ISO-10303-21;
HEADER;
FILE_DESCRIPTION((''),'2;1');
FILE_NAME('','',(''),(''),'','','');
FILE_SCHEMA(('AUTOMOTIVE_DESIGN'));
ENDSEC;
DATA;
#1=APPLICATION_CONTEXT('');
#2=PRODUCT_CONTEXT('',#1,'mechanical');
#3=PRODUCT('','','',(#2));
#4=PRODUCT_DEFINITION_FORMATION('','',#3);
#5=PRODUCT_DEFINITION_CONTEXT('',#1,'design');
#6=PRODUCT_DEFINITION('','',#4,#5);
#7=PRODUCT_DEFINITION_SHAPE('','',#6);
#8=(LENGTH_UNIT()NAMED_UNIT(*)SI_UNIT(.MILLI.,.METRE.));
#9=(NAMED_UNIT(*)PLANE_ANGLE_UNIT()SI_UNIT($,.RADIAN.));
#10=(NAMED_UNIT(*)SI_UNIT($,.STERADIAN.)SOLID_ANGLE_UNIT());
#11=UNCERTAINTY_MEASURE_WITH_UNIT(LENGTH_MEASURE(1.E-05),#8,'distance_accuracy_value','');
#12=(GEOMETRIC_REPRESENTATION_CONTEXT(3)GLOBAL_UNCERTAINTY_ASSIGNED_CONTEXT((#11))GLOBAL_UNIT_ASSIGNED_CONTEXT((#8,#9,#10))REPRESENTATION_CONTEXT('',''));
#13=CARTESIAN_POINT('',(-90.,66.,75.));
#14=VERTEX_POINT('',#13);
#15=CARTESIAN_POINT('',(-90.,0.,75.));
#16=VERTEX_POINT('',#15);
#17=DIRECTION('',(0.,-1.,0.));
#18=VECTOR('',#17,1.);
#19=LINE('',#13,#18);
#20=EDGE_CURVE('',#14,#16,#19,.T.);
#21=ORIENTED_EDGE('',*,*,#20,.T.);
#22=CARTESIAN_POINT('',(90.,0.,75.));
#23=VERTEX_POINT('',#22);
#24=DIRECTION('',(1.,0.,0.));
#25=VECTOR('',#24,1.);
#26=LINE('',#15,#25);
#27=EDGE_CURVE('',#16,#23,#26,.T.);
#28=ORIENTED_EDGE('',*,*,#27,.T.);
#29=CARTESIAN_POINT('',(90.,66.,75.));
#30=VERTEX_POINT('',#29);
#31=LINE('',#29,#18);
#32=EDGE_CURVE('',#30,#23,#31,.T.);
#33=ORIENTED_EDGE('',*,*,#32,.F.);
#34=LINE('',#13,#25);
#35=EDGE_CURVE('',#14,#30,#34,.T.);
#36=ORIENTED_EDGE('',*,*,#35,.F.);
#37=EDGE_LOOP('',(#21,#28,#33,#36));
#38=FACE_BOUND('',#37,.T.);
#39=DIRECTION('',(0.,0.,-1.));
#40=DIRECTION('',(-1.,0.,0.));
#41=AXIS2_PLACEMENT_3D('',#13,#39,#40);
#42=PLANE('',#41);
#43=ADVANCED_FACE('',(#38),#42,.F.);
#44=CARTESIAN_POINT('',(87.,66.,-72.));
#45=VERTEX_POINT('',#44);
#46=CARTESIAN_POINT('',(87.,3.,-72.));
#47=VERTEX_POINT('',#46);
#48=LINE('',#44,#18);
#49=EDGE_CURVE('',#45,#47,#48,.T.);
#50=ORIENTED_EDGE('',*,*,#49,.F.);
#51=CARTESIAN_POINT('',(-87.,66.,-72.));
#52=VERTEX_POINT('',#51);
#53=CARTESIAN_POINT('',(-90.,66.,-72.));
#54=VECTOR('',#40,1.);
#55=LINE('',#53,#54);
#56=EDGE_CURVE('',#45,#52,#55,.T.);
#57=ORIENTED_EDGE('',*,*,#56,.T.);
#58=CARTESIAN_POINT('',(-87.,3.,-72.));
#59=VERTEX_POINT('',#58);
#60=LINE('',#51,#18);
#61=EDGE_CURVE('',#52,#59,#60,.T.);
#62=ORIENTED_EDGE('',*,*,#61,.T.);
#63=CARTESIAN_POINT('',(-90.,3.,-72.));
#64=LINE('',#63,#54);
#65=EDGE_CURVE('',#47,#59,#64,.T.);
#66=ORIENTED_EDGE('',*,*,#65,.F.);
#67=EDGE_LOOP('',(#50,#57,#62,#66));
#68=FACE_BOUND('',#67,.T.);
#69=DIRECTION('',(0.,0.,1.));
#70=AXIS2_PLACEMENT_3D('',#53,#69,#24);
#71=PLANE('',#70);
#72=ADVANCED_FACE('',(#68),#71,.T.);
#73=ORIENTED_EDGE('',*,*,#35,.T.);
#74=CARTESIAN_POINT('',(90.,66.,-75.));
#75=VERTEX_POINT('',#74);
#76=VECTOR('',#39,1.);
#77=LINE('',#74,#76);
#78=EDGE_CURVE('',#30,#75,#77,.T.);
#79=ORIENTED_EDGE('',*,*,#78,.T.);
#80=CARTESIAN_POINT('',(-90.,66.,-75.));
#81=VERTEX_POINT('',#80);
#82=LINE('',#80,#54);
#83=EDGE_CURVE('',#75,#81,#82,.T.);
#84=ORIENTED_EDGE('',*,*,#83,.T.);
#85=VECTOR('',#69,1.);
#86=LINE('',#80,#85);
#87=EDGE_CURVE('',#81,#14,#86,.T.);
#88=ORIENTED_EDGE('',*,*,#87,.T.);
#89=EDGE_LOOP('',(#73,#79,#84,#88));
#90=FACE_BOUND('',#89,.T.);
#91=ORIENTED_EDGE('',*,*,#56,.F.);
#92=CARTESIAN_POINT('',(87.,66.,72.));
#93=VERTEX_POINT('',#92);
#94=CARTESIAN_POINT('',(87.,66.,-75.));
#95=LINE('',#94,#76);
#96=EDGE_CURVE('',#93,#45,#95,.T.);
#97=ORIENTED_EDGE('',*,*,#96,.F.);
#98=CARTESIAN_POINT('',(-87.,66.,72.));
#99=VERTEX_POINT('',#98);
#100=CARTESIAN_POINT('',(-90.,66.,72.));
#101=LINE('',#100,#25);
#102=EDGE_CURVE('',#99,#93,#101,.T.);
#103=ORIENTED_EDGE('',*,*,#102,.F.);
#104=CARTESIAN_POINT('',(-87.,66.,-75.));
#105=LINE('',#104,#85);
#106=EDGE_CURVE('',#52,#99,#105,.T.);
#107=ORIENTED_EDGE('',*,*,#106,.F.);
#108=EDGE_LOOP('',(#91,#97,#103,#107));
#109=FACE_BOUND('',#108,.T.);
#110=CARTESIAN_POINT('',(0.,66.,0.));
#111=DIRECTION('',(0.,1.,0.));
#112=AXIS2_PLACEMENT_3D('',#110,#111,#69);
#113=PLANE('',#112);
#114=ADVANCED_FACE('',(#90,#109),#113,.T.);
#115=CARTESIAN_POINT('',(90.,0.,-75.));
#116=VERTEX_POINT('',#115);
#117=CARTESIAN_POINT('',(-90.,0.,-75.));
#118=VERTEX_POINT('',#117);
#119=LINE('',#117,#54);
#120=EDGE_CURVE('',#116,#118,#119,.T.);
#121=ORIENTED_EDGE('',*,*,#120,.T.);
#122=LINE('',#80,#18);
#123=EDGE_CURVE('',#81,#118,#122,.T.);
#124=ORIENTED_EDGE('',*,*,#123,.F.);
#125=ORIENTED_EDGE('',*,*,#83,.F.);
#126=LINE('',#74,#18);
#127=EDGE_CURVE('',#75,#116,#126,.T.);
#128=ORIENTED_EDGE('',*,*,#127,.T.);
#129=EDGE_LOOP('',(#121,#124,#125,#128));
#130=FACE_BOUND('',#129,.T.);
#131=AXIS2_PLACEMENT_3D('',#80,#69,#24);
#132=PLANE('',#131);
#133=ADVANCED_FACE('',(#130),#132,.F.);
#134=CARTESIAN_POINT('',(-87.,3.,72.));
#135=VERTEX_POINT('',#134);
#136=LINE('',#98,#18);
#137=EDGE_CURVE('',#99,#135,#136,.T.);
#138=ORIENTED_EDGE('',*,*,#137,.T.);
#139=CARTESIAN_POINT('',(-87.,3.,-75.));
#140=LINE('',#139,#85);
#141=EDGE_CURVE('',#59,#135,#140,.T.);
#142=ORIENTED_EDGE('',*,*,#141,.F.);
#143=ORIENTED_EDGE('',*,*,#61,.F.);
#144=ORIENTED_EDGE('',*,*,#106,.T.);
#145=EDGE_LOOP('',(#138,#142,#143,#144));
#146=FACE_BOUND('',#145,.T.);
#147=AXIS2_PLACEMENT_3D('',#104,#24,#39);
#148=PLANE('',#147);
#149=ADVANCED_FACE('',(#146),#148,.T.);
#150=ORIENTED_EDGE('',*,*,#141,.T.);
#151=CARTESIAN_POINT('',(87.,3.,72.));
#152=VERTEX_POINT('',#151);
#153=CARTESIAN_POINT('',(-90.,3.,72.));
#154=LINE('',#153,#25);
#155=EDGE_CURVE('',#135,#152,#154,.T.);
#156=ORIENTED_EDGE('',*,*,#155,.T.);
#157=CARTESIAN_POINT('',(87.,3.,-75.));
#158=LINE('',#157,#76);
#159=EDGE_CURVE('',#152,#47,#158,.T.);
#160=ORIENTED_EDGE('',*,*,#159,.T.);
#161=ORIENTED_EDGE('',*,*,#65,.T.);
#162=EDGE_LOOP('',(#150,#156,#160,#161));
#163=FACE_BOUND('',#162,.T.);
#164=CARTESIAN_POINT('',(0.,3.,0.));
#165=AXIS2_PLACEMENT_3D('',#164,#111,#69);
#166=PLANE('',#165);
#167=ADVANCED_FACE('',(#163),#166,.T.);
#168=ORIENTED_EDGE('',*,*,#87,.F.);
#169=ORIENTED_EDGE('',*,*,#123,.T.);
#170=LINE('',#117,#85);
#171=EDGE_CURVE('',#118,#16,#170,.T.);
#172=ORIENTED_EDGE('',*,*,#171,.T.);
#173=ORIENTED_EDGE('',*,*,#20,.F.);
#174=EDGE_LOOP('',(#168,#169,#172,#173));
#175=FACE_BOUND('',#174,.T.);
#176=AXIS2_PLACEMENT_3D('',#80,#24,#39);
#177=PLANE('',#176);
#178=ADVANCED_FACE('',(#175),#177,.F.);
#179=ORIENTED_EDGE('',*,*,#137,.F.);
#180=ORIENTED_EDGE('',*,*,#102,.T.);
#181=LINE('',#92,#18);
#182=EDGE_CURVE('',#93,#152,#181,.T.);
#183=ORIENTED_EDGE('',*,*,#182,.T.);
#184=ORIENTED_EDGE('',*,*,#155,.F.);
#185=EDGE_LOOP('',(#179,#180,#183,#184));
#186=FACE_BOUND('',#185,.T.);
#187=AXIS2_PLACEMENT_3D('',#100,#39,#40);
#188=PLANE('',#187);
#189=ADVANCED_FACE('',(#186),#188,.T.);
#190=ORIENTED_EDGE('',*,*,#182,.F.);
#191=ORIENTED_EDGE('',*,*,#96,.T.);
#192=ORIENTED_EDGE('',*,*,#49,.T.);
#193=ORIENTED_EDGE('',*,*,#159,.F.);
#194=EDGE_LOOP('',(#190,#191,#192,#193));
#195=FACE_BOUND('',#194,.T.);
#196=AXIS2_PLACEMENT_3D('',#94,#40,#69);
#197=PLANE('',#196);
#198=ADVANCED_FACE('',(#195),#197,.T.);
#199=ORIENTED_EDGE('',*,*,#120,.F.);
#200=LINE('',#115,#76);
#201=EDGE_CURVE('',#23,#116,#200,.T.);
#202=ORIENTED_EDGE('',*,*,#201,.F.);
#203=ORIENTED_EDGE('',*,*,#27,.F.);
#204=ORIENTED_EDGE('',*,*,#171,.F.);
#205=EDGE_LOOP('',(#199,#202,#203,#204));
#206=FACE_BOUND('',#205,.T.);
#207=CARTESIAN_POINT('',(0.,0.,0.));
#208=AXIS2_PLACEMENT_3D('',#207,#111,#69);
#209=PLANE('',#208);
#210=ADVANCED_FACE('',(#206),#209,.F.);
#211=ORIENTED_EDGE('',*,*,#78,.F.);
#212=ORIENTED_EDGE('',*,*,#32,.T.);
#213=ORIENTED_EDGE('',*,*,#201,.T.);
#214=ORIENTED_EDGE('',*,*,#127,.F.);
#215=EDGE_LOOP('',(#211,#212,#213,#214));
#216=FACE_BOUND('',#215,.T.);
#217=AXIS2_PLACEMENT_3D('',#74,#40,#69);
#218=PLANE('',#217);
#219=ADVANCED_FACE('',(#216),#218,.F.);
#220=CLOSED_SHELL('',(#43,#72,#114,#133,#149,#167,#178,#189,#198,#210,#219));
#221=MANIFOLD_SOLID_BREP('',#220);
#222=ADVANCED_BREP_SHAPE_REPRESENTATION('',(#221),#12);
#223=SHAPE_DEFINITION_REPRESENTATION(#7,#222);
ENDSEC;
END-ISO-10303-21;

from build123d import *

# Parameters (mm, degrees)
SKETCH1_W           = 180
SKETCH1_H           = 150
BOSS_EXTRUDE1_DEPTH = 66
SHELL1_T            = -3


with BuildPart() as part:
    # Sketch1 → Boss-Extrude1 (new body)
    with BuildSketch(Plane(origin=(0, 0, 0), x_dir=(1, 0, 0), z_dir=(0, 1, 0))):
        Rectangle(SKETCH1_W, SKETCH1_H)
    extrude(amount=BOSS_EXTRUDE1_DEPTH)

    # Shell1
    shell1_openings = [part.faces().sort_by_distance(p)[0] for p in [
        (0, 66, 0),
    ]]
    offset(amount=SHELL1_T, openings=shell1_openings, kind=Kind.INTERSECTION)


solid = part.part
